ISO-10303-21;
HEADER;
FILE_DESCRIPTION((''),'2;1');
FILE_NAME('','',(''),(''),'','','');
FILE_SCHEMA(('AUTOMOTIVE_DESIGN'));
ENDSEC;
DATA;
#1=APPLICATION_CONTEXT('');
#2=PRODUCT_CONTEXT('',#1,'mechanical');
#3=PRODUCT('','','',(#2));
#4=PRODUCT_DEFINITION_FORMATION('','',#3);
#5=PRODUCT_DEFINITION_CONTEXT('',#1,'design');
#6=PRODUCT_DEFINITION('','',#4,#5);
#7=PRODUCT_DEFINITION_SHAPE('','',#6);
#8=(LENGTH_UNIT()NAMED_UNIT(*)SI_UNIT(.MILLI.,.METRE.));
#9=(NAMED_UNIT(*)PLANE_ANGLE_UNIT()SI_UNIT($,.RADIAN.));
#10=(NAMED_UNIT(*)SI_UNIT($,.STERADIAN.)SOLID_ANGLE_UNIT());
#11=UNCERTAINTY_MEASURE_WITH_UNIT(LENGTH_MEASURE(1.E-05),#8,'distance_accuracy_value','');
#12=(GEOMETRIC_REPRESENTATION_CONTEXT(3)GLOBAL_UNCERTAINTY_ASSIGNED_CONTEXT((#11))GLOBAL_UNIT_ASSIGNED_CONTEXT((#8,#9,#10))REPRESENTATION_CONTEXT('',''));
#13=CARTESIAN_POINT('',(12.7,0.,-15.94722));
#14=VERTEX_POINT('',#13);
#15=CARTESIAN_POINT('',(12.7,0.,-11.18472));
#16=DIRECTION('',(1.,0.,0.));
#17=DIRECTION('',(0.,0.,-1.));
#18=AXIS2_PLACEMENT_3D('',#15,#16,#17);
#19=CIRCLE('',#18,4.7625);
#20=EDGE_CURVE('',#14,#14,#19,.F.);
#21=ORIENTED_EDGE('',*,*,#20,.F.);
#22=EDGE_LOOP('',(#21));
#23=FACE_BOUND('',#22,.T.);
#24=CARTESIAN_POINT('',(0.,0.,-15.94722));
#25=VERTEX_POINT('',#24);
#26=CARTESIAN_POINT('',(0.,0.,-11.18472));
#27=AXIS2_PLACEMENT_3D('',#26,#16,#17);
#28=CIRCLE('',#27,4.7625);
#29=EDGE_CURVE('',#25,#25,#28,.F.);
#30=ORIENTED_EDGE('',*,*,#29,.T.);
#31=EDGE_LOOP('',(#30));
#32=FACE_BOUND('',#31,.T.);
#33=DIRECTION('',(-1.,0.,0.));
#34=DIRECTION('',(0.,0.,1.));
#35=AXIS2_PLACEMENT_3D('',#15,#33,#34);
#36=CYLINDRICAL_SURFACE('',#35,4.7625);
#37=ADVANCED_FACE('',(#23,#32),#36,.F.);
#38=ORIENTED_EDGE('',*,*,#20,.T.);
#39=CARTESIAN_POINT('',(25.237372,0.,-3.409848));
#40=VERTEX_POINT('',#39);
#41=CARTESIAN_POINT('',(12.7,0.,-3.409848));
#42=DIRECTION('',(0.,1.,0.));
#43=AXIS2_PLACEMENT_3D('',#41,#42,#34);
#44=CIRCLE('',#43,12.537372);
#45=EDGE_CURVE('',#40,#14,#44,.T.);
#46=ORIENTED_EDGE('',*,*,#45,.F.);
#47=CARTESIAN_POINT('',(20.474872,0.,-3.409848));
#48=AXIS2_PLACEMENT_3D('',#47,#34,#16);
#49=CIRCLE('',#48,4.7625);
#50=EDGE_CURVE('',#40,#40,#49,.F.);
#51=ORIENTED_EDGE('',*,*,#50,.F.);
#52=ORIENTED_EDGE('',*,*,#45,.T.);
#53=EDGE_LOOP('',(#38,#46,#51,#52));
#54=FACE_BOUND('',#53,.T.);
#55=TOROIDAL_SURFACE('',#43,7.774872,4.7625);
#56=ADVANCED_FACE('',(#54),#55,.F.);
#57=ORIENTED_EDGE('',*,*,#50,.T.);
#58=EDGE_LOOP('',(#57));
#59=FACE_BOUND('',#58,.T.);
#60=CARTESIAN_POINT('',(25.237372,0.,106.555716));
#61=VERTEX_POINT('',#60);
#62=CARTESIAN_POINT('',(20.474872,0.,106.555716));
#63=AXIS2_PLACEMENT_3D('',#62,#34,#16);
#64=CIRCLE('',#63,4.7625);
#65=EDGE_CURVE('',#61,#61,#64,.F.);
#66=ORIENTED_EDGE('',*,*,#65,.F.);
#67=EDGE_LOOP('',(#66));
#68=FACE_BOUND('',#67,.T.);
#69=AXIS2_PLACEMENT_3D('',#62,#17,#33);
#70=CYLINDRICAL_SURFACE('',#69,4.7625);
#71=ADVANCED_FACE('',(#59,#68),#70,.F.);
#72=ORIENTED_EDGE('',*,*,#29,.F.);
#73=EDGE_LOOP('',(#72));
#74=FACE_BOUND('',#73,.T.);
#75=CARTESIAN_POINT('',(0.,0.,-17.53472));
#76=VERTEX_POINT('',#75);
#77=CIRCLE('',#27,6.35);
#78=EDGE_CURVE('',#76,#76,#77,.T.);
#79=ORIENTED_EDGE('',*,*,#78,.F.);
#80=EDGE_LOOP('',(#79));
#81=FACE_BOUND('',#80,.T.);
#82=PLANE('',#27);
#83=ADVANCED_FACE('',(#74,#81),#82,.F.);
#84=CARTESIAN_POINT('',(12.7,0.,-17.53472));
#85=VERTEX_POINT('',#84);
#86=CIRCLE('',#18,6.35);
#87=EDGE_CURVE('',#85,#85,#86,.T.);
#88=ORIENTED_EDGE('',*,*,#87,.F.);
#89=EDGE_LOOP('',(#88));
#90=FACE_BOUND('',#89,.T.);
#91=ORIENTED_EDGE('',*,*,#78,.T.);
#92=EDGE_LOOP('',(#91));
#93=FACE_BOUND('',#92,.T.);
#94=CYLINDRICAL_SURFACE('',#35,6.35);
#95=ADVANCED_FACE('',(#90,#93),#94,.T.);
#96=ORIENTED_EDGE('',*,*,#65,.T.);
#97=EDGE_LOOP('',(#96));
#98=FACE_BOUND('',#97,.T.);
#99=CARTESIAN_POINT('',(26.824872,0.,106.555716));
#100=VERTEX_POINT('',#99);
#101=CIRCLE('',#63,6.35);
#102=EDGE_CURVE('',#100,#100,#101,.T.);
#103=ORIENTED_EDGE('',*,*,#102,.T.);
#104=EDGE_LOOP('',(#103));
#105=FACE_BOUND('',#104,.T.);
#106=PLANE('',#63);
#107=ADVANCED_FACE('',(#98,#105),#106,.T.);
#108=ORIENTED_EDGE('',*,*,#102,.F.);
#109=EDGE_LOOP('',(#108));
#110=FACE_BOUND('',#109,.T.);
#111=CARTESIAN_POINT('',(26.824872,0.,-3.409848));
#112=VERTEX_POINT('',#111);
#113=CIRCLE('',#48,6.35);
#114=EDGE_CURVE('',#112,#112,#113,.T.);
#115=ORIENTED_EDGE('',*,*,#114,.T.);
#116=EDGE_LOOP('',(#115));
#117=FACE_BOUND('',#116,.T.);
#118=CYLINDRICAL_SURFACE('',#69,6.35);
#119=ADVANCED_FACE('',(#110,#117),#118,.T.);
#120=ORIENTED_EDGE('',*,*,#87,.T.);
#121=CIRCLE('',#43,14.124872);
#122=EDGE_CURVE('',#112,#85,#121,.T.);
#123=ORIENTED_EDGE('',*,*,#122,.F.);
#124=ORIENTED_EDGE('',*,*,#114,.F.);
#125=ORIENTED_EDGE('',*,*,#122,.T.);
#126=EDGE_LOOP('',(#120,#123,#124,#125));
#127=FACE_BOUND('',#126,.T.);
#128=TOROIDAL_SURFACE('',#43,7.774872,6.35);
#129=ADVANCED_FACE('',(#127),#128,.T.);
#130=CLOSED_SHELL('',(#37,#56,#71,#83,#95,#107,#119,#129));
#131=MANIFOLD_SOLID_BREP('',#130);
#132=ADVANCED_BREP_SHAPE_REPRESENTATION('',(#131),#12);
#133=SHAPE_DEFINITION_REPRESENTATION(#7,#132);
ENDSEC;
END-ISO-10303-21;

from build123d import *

# Parameters (mm, degrees)
SKETCH11_R   = 6.35
SKETCH11_R_2 = 4.7625


with BuildPart() as part:
    # Sweep4: sweep along a path in Sketch10
    with BuildLine(Plane(origin=(0, 0, 0), x_dir=(1, 0, 0), z_dir=(0, 1, 0))) as sweep4_path:
        Line((20.474871748, -106.555716131), (20.474871748, 3.409848368))
        ThreePointArc((20.474871748, 3.409848368), (18.197664536, 8.907512904), (12.7, 11.184720116))
        Line((12.7, 11.184720116), (0, 11.184720116))
    # Sketch11 → Sweep4 (sweep)
    with BuildSketch(Plane(origin=(0, 0, 0), x_dir=(0, 0, -1), z_dir=(1, 0, 0))):
        with Locations((11.184720116, 0)):
            Circle(SKETCH11_R)
        with Locations((11.184720116, 0)):
            Circle(SKETCH11_R_2, mode=Mode.SUBTRACT)
    sweep(path=sweep4_path.line)


solid = part.part
